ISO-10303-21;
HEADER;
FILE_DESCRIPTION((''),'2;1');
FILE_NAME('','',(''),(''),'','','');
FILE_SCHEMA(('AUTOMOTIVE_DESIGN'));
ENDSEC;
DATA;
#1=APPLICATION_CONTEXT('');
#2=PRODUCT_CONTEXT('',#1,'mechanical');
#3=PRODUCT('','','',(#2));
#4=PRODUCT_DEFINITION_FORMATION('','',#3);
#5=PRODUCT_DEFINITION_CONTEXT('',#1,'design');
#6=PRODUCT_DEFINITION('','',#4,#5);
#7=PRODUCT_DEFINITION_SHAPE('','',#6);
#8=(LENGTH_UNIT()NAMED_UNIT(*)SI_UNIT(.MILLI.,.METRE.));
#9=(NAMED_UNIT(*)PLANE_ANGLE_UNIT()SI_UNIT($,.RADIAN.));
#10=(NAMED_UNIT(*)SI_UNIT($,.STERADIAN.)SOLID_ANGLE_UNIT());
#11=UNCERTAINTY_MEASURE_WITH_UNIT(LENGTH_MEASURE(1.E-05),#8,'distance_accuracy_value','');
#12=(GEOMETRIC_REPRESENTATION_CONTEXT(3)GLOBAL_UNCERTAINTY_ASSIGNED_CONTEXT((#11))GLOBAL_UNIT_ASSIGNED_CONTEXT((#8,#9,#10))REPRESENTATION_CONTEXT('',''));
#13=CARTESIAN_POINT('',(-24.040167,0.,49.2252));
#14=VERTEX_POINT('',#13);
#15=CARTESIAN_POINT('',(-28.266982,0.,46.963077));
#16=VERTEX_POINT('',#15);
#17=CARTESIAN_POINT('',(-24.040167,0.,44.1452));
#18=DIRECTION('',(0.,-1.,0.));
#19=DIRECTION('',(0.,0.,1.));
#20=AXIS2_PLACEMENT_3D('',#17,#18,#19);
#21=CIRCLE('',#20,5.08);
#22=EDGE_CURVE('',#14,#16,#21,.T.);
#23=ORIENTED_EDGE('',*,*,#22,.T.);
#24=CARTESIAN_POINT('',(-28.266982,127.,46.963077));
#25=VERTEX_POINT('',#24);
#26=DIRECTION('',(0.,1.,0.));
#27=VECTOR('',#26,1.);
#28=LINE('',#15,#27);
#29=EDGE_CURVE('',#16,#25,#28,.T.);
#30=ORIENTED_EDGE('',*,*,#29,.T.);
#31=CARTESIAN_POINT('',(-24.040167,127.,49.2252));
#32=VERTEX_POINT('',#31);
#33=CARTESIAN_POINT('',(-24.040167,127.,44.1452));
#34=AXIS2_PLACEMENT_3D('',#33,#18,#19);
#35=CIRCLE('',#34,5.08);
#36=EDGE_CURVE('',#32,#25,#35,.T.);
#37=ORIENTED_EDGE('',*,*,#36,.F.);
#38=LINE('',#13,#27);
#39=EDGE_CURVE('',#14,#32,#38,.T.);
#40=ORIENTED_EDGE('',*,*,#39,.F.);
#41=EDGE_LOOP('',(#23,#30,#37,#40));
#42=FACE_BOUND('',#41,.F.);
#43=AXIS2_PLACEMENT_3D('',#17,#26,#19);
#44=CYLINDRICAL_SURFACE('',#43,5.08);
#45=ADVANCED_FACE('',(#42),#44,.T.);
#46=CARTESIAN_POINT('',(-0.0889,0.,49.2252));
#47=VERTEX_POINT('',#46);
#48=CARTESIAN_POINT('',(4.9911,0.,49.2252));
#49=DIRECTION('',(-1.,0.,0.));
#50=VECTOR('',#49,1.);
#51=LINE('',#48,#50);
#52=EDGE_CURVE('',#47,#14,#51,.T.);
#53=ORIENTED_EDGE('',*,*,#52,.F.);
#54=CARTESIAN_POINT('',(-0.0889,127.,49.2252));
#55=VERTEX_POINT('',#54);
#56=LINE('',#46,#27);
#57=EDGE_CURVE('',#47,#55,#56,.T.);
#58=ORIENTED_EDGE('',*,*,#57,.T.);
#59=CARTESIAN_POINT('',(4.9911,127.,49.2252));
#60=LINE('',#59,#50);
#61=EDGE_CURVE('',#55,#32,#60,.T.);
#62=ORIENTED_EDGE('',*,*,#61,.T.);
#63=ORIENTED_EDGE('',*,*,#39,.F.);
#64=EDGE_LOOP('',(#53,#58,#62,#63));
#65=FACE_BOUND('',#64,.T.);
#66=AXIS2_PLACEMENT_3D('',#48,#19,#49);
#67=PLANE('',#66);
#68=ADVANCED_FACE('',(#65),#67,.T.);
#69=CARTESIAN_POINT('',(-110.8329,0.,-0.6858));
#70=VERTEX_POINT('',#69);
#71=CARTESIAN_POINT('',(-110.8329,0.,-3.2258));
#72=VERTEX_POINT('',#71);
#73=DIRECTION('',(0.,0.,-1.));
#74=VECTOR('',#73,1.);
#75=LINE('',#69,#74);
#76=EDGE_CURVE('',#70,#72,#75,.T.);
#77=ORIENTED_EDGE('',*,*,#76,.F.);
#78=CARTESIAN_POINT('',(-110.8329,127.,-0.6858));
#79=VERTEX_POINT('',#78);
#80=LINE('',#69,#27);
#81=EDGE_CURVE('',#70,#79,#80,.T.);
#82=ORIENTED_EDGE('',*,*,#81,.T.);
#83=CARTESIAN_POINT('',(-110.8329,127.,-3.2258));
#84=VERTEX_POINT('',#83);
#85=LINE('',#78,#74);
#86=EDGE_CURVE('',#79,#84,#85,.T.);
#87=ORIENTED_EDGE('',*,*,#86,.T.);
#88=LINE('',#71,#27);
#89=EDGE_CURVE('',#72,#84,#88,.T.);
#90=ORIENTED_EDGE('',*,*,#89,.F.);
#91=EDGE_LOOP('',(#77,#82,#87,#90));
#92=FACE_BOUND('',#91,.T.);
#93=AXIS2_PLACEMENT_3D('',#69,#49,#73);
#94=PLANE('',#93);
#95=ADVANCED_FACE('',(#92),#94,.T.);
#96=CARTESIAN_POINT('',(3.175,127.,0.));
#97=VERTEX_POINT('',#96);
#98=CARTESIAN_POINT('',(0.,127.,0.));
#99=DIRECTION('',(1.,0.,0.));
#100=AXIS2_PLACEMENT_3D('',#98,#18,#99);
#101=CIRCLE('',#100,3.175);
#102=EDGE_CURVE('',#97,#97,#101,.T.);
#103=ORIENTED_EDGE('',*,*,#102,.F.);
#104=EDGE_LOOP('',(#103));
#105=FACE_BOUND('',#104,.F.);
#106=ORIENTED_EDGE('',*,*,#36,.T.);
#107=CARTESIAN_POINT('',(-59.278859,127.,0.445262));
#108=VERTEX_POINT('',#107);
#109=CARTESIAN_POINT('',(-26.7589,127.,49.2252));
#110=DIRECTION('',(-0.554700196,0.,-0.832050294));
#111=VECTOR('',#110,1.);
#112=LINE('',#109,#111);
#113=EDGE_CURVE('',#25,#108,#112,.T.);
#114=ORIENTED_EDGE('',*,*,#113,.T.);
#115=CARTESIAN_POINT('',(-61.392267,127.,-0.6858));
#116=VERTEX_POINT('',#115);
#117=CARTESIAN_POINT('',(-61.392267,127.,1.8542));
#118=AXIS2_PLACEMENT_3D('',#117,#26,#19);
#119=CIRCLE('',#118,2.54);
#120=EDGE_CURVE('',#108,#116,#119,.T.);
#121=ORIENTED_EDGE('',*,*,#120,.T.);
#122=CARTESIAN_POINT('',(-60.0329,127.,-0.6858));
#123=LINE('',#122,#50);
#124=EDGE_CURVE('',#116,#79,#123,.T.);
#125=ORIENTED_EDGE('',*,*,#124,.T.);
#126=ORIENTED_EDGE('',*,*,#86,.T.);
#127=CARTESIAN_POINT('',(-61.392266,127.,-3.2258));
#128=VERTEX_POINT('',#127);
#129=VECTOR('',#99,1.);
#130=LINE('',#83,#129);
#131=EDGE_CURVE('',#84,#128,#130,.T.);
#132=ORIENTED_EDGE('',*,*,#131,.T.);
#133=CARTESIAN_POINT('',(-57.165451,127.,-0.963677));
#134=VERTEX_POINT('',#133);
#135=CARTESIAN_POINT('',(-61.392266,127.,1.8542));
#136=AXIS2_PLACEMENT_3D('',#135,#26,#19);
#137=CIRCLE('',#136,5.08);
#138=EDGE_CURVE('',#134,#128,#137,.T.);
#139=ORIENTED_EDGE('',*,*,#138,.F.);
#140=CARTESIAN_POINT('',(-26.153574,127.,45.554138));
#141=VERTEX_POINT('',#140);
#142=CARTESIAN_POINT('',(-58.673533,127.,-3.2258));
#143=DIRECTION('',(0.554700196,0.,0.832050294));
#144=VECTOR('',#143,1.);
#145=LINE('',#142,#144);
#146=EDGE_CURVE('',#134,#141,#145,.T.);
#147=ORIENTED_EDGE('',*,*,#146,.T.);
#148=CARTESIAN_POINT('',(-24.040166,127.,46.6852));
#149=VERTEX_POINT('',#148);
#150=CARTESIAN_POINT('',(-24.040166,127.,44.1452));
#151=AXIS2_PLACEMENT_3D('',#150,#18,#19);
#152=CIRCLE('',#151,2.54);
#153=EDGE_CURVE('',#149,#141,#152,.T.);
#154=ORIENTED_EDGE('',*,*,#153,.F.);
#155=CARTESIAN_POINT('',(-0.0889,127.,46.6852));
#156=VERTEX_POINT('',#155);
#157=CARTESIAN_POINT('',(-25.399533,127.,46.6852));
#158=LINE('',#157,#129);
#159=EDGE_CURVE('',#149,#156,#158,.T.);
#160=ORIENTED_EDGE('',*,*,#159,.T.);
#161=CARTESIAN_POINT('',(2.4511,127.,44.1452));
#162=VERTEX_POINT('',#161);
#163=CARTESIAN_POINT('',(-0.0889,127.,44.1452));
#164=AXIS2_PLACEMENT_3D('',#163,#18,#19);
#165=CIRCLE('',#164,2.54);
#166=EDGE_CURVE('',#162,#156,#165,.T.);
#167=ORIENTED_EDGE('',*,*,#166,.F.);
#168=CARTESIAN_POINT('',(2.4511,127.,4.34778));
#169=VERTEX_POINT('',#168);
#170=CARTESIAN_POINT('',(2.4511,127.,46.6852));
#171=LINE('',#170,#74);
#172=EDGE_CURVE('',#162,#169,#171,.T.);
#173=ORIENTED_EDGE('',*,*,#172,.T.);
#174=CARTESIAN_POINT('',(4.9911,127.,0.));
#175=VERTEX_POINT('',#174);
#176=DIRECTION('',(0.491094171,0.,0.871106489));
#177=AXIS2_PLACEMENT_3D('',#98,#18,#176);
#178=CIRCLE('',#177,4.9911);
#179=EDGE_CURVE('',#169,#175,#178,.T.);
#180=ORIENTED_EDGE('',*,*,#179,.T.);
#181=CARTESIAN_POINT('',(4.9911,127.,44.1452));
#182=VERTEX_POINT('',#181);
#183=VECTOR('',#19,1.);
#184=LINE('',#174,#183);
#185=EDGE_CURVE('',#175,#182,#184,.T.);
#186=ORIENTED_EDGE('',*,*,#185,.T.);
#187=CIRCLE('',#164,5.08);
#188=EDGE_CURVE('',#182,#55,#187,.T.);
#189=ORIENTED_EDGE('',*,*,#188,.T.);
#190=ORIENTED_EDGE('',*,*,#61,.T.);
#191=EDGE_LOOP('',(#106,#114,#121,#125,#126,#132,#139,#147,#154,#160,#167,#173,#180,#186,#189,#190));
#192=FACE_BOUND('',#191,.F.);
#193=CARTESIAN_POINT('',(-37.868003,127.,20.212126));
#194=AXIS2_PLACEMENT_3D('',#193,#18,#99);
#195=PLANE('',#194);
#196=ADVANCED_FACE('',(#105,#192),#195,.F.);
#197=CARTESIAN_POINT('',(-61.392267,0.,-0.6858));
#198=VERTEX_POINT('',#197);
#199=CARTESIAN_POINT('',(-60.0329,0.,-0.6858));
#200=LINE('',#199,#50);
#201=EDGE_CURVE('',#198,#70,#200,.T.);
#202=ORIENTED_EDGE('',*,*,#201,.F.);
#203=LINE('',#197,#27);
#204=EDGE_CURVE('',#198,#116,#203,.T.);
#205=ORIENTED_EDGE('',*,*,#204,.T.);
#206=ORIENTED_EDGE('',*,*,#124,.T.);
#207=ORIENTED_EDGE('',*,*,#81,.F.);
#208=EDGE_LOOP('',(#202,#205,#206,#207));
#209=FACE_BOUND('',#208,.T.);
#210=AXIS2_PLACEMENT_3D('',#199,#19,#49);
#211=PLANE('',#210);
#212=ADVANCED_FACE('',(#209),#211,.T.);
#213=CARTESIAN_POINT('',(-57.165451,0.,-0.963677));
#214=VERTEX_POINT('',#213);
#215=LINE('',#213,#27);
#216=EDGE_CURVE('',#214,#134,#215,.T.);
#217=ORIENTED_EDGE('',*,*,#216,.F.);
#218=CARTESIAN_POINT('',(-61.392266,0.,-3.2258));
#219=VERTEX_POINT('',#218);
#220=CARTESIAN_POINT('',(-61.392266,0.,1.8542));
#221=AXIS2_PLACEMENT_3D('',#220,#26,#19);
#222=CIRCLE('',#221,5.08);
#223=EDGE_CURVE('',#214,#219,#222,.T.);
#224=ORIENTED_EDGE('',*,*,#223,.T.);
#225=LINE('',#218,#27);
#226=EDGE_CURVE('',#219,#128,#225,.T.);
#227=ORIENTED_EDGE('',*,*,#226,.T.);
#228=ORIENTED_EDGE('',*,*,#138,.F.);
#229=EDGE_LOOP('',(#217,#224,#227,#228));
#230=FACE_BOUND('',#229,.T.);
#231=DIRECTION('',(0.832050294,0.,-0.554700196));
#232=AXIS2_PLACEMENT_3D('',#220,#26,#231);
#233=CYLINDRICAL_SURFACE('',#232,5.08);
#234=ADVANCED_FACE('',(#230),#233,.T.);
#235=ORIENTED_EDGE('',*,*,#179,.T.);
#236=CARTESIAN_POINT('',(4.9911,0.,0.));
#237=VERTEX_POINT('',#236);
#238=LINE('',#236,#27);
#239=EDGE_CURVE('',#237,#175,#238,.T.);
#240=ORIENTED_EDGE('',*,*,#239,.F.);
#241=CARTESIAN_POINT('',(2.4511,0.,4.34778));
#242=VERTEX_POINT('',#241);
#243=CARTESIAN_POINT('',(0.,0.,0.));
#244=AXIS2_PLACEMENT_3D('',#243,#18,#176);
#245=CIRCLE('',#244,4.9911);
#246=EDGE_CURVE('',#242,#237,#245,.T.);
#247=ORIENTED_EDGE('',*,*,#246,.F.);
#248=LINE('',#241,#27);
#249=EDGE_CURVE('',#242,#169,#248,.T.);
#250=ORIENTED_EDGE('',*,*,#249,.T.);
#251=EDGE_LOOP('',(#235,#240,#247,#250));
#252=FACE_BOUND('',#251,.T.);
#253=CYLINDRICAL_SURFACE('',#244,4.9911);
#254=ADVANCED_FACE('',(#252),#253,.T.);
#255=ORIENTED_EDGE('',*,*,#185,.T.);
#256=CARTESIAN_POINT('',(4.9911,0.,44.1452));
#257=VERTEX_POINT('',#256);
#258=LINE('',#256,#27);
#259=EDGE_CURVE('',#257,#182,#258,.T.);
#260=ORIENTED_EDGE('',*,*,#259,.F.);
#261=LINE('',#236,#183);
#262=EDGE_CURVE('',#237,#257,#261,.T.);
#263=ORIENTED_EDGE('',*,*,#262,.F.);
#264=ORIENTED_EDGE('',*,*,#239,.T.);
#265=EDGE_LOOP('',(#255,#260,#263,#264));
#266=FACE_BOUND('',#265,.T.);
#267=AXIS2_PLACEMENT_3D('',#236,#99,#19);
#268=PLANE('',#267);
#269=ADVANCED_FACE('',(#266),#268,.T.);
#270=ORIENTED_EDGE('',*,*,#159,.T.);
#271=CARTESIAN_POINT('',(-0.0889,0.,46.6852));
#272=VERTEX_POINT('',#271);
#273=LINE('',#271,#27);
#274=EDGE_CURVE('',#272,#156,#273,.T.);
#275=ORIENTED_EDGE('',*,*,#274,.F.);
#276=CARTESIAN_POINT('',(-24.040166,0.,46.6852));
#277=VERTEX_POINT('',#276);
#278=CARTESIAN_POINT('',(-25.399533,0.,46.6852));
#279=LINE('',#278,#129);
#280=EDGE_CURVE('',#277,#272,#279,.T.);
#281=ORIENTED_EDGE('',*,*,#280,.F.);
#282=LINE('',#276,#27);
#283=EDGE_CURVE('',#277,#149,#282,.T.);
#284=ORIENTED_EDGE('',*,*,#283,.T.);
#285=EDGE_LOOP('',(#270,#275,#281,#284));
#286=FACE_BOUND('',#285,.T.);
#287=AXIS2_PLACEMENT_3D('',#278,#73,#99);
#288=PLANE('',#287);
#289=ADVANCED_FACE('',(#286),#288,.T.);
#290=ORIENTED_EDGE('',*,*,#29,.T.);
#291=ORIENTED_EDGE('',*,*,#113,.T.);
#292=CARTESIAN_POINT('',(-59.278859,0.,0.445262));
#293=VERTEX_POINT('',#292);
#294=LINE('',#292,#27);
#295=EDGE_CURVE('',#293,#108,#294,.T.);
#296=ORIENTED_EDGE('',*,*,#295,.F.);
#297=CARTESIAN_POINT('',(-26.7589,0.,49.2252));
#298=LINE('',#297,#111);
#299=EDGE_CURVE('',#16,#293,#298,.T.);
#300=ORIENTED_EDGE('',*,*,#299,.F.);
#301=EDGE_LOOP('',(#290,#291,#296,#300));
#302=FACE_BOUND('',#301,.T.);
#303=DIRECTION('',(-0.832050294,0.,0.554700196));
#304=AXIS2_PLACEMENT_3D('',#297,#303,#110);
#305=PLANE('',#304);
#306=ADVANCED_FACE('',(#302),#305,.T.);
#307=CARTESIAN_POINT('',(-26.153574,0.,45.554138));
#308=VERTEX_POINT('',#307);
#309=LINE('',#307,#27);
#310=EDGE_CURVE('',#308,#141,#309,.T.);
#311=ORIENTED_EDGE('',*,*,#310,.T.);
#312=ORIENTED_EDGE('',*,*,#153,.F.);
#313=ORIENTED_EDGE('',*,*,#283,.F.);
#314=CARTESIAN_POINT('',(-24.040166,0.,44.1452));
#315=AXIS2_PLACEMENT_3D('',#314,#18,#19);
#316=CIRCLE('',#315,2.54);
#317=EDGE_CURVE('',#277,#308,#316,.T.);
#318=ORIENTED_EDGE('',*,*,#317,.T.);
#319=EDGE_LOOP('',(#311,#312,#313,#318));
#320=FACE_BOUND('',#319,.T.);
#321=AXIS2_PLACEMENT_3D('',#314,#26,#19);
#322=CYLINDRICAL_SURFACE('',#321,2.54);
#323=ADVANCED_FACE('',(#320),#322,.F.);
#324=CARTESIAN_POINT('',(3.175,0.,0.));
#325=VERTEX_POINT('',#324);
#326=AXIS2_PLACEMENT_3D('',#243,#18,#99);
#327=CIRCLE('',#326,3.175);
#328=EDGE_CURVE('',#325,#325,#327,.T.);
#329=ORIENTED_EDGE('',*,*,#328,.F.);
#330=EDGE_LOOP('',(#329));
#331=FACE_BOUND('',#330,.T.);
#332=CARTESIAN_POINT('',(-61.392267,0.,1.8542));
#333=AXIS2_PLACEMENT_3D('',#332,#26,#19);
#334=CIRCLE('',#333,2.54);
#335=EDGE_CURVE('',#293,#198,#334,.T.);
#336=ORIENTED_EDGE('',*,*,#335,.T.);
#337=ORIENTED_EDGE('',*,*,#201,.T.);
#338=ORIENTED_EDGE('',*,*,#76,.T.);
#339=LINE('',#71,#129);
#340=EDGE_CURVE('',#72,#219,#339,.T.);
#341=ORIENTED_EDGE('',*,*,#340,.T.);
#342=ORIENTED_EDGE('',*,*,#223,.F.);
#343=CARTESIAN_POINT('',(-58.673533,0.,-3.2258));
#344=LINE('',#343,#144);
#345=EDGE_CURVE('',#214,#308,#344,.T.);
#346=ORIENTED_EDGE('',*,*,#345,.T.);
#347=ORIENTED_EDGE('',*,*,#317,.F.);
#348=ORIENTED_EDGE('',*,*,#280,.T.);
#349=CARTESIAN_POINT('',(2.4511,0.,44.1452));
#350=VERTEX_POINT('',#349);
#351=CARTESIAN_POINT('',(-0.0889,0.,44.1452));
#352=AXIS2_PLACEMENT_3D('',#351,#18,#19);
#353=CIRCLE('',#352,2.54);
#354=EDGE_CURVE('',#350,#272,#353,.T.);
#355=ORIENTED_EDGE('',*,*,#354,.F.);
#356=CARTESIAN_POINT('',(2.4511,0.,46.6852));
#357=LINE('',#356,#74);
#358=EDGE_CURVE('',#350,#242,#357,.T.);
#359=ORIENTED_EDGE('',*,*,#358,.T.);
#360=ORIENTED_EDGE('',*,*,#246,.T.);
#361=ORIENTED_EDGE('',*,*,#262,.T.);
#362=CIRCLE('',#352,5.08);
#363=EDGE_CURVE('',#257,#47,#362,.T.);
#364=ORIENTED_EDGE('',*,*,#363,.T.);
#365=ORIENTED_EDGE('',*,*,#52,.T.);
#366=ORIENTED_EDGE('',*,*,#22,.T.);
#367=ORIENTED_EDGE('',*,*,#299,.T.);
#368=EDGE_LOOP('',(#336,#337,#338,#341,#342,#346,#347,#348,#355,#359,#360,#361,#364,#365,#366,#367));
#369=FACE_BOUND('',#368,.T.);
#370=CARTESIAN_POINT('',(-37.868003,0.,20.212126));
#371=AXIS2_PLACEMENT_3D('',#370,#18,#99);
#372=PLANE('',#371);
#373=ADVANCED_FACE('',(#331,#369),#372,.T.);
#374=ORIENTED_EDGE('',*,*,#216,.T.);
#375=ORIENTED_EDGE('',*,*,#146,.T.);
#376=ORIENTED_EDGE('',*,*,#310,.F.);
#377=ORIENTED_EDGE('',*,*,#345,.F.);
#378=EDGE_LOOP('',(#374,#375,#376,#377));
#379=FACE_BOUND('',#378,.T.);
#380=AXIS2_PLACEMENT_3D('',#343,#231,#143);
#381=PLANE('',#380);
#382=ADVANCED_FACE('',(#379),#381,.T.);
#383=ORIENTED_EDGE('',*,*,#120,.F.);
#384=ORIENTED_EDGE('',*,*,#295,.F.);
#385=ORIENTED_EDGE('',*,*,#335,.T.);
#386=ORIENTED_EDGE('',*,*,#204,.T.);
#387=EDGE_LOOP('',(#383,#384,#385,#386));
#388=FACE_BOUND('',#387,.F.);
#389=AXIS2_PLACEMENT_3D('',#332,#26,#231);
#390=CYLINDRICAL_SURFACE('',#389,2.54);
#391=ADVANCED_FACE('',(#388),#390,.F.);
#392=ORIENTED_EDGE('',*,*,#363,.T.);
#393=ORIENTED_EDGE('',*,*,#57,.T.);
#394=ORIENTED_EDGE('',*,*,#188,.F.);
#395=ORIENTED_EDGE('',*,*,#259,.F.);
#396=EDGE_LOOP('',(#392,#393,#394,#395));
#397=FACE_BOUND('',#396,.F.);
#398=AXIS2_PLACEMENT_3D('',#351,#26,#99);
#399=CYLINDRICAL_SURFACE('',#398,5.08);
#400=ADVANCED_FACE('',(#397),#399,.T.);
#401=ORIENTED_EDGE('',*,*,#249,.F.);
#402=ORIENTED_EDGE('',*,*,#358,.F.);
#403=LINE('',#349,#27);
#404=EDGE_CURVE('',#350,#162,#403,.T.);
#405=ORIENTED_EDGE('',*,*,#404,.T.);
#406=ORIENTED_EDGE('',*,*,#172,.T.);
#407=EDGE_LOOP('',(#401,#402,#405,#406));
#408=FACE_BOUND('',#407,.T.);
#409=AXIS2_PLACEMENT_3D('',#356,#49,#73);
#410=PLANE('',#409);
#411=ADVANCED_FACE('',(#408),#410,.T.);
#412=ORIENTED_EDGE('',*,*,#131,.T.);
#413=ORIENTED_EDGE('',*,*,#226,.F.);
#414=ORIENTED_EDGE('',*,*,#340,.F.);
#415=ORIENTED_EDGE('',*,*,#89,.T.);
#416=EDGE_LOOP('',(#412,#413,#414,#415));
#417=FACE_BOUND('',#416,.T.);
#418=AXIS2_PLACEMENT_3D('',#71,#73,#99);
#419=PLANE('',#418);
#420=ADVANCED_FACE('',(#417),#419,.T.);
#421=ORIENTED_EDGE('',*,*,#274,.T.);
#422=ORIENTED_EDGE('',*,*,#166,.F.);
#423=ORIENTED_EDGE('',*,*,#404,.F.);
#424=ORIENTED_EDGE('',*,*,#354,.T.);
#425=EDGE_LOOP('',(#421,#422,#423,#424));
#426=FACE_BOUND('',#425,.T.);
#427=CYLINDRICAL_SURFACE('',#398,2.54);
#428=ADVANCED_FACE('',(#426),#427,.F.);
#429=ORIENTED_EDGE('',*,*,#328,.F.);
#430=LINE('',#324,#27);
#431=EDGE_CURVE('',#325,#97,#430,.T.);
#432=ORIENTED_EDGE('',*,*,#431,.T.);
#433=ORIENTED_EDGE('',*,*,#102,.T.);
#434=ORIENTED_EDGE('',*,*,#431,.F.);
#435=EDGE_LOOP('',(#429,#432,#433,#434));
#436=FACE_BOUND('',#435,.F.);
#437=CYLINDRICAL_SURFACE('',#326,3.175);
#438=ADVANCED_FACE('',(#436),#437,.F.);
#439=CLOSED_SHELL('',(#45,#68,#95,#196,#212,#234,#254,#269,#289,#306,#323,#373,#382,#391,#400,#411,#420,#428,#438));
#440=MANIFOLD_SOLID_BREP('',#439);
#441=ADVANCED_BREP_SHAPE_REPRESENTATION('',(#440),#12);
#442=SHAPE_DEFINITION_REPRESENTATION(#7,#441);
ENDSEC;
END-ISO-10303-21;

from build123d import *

# Parameters (mm, degrees)
F0_R     = 3.175
F1_DEPTH = 127
F2_R     = 5.08
F3_R     = 2.54


with BuildPart() as f1:
    # F0 (on Front) → F1 (new body)
    with BuildSketch(Plane.XZ):
        with BuildLine():
            ThreePointArc((2.4511, 4.34778), (4.309569, 2.517677), (4.9911, 0))
            Line((4.9911, 0), (4.9911, 49.2252))
            Line((4.9911, 49.2252), (-26.7589, 49.2252))
            Line((-26.7589, 49.2252), (-60.0329, -0.6858))
            Line((-60.0329, -0.6858), (-110.8329, -0.6858))
            Line((-110.8329, -0.6858), (-110.8329, -3.2258))
            Line((-110.8329, -3.2258), (-58.673533, -3.2258))
            Line((-58.673533, -3.2258), (-25.399533, 46.6852))
            Line((-25.399533, 46.6852), (2.4511, 46.6852))
            Line((2.4511, 46.6852), (2.4511, 4.34778))
        make_face()
        with BuildLine():
            ThreePointArc((2.4511, 4.34778), (-4.309569, -2.517677), (4.9911, 0))
            ThreePointArc((4.9911, 0), (4.309569, 2.517677), (2.4511, 4.34778))
        make_face()
        Circle(F0_R, mode=Mode.SUBTRACT)
    extrude(amount=-F1_DEPTH)

    # F2
    f2_edges = [f1.edges().sort_by_distance(p)[0] for p in [
        (-26.7589, 63.5, 49.2252),
        (4.9911, 63.5, 49.2252),
        (-58.673533, 63.5, -3.2258),
    ]]
    fillet(f2_edges, radius=F2_R)

    # F3
    f3_edges = [f1.edges().sort_by_distance(p)[0] for p in [
        (2.4511, 63.5, 46.6852),
        (-25.399533, 63.5, 46.6852),
        (-60.0329, 63.5, -0.6858),
    ]]
    fillet(f3_edges, radius=F3_R)


solid = f1.part
